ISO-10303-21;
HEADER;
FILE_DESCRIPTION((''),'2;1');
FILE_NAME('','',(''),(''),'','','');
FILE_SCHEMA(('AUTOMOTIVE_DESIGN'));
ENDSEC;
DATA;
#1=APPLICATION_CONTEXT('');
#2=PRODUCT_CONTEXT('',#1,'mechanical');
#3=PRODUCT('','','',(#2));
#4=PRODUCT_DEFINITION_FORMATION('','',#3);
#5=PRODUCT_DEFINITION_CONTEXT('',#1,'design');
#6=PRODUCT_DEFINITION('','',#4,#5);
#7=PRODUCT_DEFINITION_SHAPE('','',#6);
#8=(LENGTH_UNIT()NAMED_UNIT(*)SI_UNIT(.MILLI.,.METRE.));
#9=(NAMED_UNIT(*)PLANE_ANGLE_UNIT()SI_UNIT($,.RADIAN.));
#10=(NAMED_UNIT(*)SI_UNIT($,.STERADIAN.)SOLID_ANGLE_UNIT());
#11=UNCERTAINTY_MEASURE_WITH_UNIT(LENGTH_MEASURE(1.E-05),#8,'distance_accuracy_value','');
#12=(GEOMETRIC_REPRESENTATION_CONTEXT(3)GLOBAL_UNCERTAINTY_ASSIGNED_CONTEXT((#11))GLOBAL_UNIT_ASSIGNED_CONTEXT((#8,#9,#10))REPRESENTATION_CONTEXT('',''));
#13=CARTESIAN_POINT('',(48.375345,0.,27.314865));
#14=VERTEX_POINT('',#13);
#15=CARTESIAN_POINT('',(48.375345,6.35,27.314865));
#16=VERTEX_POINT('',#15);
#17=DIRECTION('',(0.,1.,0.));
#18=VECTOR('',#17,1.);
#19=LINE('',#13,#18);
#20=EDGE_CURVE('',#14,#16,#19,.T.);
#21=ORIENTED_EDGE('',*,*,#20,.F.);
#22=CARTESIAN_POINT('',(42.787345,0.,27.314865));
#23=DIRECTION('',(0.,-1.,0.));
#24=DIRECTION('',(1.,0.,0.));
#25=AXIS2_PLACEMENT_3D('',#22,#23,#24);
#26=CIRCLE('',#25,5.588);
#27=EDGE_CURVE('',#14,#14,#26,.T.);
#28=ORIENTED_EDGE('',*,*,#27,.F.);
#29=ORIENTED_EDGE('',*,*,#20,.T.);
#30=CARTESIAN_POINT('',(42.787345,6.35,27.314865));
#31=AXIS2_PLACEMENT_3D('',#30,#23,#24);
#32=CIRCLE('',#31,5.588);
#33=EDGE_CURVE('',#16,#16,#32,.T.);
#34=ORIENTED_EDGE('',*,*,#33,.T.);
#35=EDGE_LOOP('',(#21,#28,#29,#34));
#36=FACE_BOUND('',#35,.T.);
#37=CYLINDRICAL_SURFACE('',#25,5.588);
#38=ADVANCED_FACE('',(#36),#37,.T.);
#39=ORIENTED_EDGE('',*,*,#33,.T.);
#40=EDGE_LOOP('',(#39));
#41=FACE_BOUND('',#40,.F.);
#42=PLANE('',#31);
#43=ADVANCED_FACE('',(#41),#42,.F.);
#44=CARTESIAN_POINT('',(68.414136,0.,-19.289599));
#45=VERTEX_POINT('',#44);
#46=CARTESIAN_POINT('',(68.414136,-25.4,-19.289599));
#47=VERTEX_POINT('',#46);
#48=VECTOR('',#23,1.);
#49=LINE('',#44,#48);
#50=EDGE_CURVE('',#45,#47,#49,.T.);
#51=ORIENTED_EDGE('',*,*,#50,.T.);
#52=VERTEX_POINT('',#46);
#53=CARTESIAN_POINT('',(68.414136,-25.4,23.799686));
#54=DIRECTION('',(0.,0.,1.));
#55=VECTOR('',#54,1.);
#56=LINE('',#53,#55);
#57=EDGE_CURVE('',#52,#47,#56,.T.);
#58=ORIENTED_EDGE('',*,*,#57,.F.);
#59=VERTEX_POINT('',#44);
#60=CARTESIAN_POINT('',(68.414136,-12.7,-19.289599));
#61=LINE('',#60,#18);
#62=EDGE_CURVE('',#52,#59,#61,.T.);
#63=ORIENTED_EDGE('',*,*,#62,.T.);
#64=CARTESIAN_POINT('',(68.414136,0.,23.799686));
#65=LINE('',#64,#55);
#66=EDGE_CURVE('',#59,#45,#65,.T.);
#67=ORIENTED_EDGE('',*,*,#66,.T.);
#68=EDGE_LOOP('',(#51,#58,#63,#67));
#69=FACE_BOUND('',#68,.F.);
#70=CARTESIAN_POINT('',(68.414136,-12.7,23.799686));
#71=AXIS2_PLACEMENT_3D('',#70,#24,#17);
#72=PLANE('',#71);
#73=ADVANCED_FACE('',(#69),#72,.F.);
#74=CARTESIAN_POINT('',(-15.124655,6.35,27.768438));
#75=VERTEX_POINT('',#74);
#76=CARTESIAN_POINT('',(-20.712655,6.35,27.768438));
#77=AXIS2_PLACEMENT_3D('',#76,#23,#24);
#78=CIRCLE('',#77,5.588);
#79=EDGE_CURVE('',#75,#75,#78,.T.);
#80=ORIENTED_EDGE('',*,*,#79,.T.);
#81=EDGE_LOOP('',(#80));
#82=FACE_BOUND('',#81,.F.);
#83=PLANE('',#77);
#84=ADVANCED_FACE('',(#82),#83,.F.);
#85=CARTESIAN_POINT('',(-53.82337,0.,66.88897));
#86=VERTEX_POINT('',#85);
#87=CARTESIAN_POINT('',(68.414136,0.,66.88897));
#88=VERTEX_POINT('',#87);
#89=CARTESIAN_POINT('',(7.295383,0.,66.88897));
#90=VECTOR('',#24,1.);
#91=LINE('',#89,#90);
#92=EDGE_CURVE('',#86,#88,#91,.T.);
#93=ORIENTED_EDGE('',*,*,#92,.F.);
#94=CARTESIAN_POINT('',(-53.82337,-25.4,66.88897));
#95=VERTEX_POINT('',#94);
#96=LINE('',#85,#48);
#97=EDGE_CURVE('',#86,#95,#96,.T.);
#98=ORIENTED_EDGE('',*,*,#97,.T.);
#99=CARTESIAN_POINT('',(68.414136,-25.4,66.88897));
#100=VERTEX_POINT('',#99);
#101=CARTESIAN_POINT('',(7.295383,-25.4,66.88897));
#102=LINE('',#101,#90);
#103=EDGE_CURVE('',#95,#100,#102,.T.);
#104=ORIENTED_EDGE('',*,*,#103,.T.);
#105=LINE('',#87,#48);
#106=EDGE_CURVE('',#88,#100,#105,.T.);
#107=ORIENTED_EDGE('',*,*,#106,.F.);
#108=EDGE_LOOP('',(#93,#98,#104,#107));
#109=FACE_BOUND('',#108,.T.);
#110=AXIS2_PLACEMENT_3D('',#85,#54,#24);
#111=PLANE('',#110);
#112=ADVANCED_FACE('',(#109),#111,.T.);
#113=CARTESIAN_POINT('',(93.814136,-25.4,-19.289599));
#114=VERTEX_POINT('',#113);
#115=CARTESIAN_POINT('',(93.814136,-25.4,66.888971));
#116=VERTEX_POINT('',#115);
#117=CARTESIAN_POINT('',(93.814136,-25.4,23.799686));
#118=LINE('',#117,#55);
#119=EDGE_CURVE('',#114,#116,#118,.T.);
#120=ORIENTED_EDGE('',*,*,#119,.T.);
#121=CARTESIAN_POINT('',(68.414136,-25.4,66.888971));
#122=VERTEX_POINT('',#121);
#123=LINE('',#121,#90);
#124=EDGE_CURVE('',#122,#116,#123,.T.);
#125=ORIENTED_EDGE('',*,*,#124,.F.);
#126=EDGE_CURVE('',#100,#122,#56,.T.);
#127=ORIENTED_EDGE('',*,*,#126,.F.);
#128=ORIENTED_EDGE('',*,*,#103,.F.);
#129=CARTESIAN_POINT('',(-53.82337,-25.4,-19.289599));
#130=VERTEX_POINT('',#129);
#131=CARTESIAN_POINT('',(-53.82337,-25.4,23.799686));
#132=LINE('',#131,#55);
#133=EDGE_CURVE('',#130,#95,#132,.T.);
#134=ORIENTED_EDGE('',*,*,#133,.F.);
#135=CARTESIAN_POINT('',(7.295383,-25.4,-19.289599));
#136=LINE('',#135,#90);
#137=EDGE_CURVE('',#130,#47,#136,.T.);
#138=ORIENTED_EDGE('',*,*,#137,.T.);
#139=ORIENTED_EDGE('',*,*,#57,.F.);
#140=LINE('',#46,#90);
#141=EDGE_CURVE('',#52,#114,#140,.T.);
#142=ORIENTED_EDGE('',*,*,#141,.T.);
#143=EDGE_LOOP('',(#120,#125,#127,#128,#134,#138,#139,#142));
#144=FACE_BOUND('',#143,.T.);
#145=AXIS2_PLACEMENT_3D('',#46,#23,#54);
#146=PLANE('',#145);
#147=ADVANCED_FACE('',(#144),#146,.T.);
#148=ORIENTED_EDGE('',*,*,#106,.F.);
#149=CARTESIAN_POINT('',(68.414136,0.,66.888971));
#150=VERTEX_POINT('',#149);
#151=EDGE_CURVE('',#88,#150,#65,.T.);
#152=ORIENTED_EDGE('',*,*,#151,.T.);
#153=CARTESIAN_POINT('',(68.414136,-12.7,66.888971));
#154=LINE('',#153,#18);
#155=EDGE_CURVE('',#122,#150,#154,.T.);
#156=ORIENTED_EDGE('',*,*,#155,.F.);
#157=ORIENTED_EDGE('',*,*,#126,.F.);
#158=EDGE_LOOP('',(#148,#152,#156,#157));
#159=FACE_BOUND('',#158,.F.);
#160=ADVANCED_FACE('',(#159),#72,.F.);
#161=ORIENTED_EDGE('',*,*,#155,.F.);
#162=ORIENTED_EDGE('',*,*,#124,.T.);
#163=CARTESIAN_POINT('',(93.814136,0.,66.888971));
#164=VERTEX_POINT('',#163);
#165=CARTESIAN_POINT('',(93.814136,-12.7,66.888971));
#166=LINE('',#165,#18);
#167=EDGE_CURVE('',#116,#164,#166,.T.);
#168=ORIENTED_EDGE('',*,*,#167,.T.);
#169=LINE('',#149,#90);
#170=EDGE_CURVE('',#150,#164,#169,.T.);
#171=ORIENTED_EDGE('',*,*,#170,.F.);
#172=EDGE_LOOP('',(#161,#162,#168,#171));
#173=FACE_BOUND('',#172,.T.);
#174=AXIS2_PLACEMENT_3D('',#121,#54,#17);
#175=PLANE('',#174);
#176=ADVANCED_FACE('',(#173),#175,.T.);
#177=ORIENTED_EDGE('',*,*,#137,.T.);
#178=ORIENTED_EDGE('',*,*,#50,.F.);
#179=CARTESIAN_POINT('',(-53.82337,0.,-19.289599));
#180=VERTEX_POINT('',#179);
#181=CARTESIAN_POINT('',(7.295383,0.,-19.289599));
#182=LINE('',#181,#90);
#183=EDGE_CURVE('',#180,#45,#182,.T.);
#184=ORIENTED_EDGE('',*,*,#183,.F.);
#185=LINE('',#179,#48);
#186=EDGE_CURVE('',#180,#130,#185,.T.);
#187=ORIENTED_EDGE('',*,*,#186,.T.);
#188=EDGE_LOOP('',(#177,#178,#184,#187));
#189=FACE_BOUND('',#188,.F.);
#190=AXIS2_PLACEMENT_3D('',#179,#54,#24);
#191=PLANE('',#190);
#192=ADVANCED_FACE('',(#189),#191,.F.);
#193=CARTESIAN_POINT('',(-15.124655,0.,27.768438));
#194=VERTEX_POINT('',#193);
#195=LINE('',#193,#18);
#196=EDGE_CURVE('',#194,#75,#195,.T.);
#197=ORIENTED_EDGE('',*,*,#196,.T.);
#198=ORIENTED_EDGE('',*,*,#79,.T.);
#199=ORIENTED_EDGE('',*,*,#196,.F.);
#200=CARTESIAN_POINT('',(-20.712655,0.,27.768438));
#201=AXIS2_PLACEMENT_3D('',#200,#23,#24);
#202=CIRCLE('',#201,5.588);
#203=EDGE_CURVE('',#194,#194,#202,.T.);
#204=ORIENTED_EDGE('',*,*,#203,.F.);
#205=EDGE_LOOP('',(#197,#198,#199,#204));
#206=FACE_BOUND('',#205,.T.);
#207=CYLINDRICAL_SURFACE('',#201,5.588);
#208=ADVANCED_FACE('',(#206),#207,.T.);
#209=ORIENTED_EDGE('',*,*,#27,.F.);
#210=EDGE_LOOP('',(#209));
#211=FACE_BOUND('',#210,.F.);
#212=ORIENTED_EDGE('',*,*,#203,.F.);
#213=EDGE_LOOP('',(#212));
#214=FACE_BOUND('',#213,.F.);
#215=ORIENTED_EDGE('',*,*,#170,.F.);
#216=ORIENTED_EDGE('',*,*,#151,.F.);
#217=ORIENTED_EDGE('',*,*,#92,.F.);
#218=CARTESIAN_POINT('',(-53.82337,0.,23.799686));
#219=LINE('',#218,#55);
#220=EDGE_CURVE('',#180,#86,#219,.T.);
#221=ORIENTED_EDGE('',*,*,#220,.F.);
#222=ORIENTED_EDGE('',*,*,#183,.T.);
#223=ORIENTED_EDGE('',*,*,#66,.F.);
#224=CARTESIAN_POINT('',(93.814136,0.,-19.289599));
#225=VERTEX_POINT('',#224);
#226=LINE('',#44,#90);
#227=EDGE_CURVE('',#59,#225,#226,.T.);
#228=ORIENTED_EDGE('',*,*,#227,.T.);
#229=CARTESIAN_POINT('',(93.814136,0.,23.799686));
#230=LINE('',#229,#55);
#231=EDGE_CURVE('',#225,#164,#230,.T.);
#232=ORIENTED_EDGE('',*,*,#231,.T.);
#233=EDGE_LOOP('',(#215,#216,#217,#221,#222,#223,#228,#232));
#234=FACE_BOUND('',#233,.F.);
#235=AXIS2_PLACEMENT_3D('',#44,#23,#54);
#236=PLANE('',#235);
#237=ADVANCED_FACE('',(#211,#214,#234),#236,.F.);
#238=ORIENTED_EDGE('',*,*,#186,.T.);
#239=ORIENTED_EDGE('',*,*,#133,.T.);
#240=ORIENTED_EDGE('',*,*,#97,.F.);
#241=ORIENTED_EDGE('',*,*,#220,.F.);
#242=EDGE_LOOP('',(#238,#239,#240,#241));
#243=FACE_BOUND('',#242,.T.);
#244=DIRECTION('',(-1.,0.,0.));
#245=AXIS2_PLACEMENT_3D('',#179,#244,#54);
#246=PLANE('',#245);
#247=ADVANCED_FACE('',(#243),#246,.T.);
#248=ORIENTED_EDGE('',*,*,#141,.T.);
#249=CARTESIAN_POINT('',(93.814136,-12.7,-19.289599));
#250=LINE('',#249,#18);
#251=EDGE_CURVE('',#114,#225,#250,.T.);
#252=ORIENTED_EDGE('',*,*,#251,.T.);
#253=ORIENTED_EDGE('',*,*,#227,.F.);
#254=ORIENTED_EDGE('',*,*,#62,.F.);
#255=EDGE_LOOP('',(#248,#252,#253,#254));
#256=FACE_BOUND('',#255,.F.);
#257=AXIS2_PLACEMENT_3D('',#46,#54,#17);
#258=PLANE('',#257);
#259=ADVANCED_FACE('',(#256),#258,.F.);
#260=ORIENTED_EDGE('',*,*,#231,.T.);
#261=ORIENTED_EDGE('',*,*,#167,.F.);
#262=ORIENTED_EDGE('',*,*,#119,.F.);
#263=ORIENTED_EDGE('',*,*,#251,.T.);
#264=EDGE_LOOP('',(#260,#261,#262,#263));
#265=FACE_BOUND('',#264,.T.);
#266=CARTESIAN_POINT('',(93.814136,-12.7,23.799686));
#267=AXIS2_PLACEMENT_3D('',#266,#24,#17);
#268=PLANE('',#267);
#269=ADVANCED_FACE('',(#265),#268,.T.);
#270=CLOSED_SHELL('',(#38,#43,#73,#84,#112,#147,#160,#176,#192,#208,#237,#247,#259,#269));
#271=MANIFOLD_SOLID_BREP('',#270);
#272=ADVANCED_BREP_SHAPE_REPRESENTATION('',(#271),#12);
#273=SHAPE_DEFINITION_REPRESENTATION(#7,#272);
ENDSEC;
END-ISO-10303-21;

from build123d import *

# Parameters (mm, degrees)
F0_W      = 122.237506
F0_H      = 86.178569
F0_R      = 5.588
F1_DEPTH  = 25.4
F2_DEPTH  = 6.35
F1_FACE_W = 25.4
F1_FACE_H = 86.17857
F3_DEPTH  = 25.4


with BuildPart() as f1:
    # F0 (on Front) → F1 (new body)
    with BuildSketch(Plane.XZ):
        with Locations((7.295383, 23.799686)):
            Rectangle(F0_W, F0_H)
        with Locations((-20.712655, 27.768438)):
            Circle(F0_R, mode=Mode.SUBTRACT)
        with Locations((42.787345, 27.314865)):
            Circle(F0_R, mode=Mode.SUBTRACT)
        with Locations((42.787345, 27.314865)):
            Circle(F0_R)
        with Locations((-20.712655, 27.768438)):
            Circle(F0_R)
    extrude(amount=F1_DEPTH)

    # F0 (on Front) → F2 (join)
    with BuildSketch(Plane.XZ):
        with Locations((42.787345, 27.314865)):
            Circle(F0_R)
        with Locations((-20.712655, 27.768438)):
            Circle(F0_R)
    extrude(amount=-F2_DEPTH)

    # F1_face (on face) → F3 (join)
    with BuildSketch(Plane(origin=(68.414136, -12.7, 23.799686), x_dir=(0, 1, 0), z_dir=(1, 0, 0))):
        Rectangle(F1_FACE_W, F1_FACE_H)
    extrude(amount=F3_DEPTH)


solid = f1.part
